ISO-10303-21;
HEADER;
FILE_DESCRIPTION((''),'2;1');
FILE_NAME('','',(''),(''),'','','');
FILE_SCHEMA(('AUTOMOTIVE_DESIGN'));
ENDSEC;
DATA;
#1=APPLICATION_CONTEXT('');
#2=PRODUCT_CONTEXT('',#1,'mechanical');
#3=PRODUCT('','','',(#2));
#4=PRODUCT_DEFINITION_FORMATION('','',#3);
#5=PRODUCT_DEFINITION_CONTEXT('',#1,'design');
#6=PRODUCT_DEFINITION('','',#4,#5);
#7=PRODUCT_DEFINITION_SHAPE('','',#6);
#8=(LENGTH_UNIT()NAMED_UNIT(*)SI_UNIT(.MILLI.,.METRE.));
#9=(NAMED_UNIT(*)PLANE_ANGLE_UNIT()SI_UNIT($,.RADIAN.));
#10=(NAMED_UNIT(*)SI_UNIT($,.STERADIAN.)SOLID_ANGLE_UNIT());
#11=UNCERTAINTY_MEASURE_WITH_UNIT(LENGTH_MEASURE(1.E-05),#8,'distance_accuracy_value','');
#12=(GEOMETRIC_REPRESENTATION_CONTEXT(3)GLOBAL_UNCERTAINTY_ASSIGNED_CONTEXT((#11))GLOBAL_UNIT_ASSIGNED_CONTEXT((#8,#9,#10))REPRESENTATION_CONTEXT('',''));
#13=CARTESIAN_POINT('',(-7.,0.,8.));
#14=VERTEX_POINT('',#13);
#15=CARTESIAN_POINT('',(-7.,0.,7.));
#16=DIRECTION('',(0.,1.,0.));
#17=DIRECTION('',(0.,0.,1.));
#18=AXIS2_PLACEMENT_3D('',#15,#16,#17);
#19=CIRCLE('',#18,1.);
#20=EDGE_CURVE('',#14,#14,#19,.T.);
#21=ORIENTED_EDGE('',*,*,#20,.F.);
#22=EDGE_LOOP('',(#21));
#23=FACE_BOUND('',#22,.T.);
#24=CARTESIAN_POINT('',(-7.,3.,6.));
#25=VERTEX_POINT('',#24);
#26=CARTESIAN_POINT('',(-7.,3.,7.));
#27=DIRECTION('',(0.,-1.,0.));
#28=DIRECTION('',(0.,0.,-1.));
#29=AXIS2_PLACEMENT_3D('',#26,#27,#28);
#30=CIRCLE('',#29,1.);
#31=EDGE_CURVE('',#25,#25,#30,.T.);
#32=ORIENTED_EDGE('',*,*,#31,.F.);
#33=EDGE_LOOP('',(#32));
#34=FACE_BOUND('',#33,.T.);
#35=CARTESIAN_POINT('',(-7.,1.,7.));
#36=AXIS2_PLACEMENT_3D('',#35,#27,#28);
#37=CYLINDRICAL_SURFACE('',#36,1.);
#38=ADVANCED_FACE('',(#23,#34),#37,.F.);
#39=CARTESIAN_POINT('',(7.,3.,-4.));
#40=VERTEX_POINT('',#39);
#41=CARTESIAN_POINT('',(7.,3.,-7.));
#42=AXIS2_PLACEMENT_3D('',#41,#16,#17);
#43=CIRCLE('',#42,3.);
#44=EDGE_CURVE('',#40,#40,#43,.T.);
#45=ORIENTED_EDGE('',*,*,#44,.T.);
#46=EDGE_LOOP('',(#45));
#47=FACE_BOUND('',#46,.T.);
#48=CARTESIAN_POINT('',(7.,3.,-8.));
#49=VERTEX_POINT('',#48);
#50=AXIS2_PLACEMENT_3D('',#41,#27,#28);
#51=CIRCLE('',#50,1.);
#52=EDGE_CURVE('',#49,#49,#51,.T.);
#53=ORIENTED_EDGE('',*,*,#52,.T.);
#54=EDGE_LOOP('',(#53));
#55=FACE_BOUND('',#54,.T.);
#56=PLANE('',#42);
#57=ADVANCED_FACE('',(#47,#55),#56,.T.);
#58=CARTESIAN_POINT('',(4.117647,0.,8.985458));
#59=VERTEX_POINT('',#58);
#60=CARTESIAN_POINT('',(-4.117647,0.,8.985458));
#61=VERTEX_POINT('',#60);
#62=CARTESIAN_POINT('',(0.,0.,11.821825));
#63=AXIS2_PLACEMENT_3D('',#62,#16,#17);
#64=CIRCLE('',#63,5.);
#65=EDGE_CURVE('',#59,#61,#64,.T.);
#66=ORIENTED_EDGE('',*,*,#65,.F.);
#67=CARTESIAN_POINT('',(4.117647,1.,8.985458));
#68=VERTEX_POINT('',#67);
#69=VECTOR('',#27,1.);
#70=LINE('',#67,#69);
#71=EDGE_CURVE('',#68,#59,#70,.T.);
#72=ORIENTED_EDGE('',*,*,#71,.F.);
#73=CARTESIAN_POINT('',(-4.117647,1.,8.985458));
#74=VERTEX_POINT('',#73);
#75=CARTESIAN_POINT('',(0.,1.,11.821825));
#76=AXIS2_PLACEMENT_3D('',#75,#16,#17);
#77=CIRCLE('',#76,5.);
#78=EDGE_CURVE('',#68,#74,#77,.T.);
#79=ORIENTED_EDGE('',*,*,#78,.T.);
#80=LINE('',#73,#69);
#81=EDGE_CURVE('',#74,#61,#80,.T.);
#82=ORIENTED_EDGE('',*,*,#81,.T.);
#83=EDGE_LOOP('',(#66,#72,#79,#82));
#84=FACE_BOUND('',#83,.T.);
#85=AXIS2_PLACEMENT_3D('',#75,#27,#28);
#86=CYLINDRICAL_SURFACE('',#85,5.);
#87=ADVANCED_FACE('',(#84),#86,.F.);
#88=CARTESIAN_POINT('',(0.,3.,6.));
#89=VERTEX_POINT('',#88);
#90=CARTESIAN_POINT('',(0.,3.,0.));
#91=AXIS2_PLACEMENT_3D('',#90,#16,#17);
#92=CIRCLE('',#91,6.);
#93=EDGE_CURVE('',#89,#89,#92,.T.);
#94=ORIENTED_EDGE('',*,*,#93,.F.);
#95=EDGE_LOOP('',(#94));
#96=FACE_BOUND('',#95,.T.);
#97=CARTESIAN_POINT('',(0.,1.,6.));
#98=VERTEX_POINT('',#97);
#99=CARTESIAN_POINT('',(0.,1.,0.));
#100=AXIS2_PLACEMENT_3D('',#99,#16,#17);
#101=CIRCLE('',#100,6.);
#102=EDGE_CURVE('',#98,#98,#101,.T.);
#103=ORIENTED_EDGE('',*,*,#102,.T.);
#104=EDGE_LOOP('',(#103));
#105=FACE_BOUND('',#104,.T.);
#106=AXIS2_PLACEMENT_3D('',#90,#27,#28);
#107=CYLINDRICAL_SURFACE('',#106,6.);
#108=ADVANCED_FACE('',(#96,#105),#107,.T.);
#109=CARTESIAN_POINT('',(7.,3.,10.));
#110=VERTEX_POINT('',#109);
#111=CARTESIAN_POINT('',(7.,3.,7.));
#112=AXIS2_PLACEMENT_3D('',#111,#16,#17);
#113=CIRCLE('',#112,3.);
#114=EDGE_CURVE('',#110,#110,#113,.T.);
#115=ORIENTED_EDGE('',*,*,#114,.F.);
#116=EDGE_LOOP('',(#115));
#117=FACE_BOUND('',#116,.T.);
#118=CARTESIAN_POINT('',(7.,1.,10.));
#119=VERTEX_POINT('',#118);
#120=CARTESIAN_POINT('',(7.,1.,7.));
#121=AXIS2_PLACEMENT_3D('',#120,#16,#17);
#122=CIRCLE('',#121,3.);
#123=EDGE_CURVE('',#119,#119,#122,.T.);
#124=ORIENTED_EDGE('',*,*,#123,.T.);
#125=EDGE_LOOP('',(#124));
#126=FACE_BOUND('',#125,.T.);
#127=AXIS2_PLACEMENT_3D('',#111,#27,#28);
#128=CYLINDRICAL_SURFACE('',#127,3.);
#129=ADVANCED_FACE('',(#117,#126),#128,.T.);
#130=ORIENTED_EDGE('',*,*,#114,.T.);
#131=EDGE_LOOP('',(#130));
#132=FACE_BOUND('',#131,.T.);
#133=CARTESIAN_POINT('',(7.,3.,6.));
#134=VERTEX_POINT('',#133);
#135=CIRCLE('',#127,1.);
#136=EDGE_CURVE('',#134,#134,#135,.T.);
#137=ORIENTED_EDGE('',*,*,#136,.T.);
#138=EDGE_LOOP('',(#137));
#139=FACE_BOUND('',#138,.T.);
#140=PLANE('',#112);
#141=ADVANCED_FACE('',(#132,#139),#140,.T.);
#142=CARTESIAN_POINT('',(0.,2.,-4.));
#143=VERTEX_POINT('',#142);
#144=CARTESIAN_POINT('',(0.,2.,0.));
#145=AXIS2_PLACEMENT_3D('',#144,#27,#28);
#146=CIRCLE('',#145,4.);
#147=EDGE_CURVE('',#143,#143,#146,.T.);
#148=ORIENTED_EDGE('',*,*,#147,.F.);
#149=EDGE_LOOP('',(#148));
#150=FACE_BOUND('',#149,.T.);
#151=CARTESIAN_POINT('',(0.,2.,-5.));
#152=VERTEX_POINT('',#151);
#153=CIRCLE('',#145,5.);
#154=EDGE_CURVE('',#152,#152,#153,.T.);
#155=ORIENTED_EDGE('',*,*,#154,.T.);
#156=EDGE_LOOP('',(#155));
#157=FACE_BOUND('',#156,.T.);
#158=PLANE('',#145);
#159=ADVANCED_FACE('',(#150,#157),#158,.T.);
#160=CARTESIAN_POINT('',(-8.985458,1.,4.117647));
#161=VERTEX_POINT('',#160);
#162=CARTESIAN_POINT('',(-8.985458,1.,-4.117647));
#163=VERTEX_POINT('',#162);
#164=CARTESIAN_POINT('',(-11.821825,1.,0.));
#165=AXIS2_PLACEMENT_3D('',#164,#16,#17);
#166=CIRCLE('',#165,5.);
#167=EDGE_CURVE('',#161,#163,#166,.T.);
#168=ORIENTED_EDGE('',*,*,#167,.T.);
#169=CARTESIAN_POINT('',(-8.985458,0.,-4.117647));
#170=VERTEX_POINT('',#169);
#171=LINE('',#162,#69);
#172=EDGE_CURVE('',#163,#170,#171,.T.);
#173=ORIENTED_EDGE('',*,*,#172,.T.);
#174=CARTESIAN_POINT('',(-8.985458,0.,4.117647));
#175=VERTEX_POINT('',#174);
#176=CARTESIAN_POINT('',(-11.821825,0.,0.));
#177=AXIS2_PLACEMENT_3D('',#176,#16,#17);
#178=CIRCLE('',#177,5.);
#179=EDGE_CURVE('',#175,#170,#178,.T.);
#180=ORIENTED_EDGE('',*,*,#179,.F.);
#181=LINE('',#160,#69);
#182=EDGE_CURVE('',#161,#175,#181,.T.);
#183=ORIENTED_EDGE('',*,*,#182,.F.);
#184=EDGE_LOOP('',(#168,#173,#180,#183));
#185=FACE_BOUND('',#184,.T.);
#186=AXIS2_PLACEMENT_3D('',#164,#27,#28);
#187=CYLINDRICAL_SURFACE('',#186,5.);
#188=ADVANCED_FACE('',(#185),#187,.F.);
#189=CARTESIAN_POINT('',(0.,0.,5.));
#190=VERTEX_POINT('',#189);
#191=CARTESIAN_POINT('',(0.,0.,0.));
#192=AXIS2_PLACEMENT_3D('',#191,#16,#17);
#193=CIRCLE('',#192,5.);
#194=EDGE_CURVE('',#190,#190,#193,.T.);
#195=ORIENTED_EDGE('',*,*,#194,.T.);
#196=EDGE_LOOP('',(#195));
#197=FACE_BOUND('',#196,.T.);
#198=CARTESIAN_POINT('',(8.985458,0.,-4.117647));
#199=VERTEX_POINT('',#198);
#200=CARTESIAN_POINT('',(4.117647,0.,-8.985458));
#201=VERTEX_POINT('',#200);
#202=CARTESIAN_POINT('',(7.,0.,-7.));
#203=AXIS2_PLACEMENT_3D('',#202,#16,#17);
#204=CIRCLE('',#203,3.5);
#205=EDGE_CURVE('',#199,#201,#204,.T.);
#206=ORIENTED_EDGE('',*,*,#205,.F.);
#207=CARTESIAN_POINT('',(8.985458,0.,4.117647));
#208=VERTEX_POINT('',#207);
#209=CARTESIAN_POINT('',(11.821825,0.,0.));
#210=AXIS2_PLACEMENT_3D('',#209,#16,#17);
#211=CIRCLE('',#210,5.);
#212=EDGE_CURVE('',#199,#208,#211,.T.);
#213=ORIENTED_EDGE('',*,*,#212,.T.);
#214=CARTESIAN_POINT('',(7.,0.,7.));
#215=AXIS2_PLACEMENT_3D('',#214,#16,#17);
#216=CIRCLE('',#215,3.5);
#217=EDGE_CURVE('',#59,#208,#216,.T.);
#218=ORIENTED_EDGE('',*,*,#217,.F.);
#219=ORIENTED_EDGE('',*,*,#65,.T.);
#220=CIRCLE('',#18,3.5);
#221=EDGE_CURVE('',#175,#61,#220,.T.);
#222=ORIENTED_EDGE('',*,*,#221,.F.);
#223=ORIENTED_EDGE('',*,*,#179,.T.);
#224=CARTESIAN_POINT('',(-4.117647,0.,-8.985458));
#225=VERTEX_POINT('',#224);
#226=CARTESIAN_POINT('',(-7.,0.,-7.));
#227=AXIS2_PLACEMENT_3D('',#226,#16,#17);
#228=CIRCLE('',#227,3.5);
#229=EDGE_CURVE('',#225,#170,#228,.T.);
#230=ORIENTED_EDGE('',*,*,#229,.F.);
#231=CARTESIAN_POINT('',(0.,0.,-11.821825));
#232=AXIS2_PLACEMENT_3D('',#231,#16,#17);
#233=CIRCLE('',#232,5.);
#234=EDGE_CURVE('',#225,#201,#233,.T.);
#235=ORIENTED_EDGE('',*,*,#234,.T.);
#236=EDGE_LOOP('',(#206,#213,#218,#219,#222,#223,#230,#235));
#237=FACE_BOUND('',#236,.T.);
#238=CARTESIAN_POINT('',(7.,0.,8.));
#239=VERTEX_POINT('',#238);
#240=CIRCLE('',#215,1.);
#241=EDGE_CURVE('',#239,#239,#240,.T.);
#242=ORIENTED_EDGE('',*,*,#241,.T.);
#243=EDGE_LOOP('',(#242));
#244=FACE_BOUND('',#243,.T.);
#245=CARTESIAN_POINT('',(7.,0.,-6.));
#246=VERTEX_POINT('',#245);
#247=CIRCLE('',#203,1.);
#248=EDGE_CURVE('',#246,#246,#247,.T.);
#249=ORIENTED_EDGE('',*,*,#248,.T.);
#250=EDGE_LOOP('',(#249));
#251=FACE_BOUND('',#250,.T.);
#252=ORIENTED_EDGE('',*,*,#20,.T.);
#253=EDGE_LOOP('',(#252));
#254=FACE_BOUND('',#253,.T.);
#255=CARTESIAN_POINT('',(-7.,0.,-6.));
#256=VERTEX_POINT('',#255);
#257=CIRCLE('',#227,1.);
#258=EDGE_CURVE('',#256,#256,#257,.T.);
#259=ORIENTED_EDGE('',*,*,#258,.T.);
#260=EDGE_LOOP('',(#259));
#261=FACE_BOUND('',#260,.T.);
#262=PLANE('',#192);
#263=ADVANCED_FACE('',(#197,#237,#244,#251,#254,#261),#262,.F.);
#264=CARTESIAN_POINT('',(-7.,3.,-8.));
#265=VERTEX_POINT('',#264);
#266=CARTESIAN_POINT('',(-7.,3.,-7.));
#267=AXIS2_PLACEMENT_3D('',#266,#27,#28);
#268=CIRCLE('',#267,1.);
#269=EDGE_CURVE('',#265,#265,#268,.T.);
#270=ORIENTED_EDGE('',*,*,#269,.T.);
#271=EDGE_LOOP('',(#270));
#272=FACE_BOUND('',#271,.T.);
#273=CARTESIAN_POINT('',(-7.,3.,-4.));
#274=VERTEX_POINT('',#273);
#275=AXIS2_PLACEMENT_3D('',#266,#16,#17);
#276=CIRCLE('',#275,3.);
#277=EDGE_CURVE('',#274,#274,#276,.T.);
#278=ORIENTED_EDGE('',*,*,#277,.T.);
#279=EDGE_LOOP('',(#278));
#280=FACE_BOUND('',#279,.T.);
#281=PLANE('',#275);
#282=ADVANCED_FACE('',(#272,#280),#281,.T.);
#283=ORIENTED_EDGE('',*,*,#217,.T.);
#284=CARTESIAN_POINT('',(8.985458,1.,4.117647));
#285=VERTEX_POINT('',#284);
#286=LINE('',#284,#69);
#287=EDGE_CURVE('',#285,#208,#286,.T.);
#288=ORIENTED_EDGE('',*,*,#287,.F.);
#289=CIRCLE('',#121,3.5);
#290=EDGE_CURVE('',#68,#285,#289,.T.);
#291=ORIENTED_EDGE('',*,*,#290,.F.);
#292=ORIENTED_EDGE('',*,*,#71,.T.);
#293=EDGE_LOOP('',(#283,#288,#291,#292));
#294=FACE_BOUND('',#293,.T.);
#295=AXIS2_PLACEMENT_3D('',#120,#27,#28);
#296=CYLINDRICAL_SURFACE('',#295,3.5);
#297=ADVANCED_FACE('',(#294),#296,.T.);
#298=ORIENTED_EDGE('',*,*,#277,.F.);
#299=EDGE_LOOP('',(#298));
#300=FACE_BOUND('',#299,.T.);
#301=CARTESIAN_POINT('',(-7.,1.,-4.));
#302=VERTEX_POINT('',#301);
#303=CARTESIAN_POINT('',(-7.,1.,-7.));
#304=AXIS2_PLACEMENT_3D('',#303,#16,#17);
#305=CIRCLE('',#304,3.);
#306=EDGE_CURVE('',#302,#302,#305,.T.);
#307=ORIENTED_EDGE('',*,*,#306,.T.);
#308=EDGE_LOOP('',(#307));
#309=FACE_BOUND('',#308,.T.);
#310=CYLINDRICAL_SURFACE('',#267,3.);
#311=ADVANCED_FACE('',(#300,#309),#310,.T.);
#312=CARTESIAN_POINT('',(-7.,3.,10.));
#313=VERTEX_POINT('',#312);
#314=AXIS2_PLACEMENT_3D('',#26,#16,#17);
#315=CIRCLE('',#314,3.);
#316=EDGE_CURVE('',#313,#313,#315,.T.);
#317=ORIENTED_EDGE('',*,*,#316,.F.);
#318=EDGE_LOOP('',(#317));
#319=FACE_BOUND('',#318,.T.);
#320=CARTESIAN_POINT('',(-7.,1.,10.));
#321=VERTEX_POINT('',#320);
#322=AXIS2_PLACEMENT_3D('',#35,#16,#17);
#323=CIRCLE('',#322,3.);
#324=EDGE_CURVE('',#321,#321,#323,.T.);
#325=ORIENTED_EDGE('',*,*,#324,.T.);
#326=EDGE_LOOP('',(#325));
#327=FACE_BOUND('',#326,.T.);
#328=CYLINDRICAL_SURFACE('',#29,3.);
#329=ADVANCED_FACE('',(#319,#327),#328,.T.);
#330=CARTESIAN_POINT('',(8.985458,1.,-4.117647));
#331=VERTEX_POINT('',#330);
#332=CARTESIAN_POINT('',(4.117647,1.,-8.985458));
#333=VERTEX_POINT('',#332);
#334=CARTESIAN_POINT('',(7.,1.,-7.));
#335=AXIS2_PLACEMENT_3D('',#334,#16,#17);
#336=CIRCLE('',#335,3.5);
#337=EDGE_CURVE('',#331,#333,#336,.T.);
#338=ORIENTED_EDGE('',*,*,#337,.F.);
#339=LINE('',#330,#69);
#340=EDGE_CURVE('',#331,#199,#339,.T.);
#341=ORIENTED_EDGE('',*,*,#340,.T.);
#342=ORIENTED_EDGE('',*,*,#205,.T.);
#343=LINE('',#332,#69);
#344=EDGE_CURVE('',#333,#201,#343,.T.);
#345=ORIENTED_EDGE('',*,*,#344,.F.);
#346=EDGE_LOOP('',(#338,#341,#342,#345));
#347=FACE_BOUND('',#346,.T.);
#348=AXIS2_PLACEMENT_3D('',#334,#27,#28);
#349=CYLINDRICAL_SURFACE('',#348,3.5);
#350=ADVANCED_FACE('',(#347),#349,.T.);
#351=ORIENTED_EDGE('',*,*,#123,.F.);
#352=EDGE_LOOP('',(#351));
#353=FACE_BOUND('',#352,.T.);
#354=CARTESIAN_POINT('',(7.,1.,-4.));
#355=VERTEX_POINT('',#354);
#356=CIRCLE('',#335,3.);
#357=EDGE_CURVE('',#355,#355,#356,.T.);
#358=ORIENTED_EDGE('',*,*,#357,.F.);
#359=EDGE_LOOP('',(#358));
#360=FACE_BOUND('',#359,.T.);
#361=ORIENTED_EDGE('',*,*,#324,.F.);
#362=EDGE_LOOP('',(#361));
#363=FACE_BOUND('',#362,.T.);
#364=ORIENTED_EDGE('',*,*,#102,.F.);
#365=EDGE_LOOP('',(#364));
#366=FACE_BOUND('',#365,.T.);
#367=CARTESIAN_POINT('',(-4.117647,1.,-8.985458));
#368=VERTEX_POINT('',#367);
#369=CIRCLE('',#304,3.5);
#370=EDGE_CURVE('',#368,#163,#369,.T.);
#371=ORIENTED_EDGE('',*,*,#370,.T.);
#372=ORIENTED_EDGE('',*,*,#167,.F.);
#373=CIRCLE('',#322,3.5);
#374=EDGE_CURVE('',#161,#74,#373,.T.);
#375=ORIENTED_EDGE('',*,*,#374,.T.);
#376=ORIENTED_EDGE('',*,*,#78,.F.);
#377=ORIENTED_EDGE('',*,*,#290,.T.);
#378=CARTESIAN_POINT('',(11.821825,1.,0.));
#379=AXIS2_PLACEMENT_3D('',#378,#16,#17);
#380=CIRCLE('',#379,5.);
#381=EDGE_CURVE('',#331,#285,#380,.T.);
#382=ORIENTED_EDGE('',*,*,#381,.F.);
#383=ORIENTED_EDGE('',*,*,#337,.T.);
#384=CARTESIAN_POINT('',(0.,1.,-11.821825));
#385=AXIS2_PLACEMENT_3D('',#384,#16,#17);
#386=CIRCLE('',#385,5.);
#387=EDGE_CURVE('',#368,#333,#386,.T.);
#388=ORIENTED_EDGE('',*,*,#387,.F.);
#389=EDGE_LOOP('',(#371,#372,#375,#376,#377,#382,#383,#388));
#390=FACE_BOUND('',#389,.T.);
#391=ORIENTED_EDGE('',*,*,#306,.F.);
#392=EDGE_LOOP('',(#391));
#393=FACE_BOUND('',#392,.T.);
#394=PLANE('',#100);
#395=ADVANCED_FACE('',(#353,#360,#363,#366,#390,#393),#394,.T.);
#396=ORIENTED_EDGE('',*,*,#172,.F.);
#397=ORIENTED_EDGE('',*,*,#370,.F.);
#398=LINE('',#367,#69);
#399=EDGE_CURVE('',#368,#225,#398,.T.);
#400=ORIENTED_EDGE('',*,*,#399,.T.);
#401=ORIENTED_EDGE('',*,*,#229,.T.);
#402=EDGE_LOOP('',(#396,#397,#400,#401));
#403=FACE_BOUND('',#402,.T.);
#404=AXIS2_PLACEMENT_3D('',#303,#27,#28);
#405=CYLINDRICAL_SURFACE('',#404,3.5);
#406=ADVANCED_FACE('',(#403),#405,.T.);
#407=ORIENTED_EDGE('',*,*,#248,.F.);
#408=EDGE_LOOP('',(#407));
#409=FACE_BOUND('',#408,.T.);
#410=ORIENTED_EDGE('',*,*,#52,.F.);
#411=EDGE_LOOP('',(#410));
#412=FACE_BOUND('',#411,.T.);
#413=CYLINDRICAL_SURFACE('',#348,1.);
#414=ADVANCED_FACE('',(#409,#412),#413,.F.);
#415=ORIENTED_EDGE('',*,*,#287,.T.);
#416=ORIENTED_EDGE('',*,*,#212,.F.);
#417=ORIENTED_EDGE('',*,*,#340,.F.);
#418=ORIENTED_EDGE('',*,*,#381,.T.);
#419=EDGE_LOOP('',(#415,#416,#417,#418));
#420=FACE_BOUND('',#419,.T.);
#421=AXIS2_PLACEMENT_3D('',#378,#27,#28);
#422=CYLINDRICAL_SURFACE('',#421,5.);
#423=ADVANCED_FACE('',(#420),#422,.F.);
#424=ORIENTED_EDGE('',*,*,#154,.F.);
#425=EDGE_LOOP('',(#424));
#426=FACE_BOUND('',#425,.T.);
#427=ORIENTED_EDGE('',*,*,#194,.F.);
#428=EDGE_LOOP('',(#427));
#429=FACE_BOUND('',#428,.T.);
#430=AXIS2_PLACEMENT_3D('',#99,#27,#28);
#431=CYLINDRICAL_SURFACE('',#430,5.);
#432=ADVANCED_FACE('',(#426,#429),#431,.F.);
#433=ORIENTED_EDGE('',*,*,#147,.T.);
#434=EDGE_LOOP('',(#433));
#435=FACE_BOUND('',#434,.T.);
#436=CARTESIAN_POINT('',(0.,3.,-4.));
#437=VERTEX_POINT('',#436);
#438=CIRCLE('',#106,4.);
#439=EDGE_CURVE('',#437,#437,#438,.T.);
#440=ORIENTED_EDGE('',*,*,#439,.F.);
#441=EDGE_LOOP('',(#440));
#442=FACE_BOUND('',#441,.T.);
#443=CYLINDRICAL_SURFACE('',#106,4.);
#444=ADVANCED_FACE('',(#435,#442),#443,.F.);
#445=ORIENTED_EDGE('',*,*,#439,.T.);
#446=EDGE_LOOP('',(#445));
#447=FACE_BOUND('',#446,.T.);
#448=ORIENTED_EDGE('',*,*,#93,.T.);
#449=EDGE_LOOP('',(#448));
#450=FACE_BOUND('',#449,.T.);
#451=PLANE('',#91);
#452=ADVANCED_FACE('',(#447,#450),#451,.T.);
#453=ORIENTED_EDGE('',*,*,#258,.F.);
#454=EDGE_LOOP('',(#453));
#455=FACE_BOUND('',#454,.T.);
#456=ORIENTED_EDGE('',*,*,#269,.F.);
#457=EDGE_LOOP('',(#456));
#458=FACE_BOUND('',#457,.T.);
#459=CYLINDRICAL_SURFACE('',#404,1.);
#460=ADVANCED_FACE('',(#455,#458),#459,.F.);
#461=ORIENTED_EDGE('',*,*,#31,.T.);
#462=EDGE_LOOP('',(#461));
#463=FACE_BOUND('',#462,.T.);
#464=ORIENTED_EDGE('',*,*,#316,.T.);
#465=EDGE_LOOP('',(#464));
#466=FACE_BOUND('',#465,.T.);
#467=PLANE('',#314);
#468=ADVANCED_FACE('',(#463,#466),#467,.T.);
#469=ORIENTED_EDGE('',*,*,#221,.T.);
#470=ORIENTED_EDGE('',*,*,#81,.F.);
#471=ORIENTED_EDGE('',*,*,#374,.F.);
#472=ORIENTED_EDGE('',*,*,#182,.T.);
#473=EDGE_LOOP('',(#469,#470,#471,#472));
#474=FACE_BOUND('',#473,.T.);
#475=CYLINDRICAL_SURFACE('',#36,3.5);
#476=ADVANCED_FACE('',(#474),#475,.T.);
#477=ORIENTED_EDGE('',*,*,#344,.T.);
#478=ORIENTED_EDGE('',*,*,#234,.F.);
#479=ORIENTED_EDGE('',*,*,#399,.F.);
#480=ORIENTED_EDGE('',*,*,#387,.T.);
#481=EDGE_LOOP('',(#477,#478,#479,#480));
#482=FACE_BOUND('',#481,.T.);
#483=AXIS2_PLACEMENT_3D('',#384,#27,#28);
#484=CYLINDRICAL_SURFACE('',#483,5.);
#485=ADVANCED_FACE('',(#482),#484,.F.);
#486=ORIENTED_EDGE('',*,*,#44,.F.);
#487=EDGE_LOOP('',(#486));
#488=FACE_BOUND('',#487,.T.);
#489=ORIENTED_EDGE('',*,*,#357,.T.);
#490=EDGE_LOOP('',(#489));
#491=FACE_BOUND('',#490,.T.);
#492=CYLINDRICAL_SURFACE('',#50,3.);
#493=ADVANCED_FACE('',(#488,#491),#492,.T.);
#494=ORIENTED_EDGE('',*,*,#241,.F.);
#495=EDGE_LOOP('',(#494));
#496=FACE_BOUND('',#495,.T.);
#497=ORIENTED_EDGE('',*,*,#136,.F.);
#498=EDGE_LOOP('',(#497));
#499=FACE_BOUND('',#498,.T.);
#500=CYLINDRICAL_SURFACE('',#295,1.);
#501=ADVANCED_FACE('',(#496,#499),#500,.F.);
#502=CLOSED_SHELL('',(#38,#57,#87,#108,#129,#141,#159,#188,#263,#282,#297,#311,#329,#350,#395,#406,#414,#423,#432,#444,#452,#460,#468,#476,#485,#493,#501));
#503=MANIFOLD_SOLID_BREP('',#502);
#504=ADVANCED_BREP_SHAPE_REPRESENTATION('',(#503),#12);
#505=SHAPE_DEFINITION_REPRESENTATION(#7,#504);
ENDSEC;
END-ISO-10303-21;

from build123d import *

# Parameters (mm, degrees)
SKETCH1_R           = 1
SKETCH1_R_2         = 5
BOSS_EXTRUDE1_DEPTH = 1
SKETCH3_R           = 6
BOSS_EXTRUDE2_DEPTH = 2
SKETCH4_R           = 5
CUT_EXTRUDE1_DEPTH  = 1
SKETCH5_R           = 4
CUT_EXTRUDE2_DEPTH  = 1
SKETCH6_R           = 3
BOSS_EXTRUDE3_DEPTH = 2
SKETCH7_R           = 1
CUT_EXTRUDE3_DEPTH  = 2


with BuildPart() as part:
    # Sketch1 → Boss-Extrude1 (new body)
    with BuildSketch(Plane(origin=(0, 0, 0), x_dir=(1, 0, 0), z_dir=(0, 1, 0))):
        with BuildLine():
            ThreePointArc((4.117647059, 8.98545751), (0, 6.82182538), (-4.117647059, 8.98545751))
            ThreePointArc((-4.117647059, 8.98545751), (-9.474873734, 9.474873734), (-8.98545751, 4.117647059))
            ThreePointArc((-8.98545751, 4.117647059), (-6.82182538, 0), (-8.98545751, -4.117647059))
            ThreePointArc((-8.98545751, -4.117647059), (-9.474873734, -9.474873734), (-4.117647059, -8.98545751))
            ThreePointArc((-4.117647059, -8.98545751), (0, -6.82182538), (4.117647059, -8.98545751))
            ThreePointArc((4.117647059, -8.98545751), (9.474873734, -9.474873734), (8.98545751, -4.117647059))
            ThreePointArc((8.98545751, -4.117647059), (6.82182538, 0), (8.98545751, 4.117647059))
            ThreePointArc((8.98545751, 4.117647059), (9.474873734, 9.474873734), (4.117647059, 8.98545751))
        make_face()
        with Locations((-7, -7)):
            Circle(SKETCH1_R, mode=Mode.SUBTRACT)
        Circle(SKETCH1_R_2, mode=Mode.SUBTRACT)
        with Locations((7, -7)):
            Circle(SKETCH1_R, mode=Mode.SUBTRACT)
        with Locations((-7, 7)):
            Circle(SKETCH1_R, mode=Mode.SUBTRACT)
        with Locations((7, 7)):
            Circle(SKETCH1_R, mode=Mode.SUBTRACT)
    extrude(amount=BOSS_EXTRUDE1_DEPTH)

    # Sketch3 → Boss-Extrude2 (add)
    with BuildSketch(Plane(origin=(0, 1, 0), x_dir=(1, 0, 0), z_dir=(0, 1, 0))):
        Circle(SKETCH3_R)
    extrude(amount=BOSS_EXTRUDE2_DEPTH)

    # Sketch4 → Cut-Extrude1 (cut)
    with BuildSketch(Plane.XZ.offset(-1)):
        Circle(SKETCH4_R)
    extrude(amount=-CUT_EXTRUDE1_DEPTH, mode=Mode.SUBTRACT)

    # Sketch5 → Cut-Extrude2 (cut)
    with BuildSketch(Plane.XZ.offset(-2)):
        Circle(SKETCH5_R)
    extrude(amount=-CUT_EXTRUDE2_DEPTH, mode=Mode.SUBTRACT)

    # Sketch6 → Boss-Extrude3 (add)
    with BuildSketch(Plane(origin=(0, 1, 0), x_dir=(1, 0, 0), z_dir=(0, 1, 0))):
        with Locations((-7, 7)):
            Circle(SKETCH6_R)
        with Locations((7, 7)):
            Circle(SKETCH6_R)
        with Locations((7, -7)):
            Circle(SKETCH6_R)
        with Locations((-7, -7)):
            Circle(SKETCH6_R)
    extrude(amount=BOSS_EXTRUDE3_DEPTH)

    # Sketch7 → Cut-Extrude3 (cut)
    with BuildSketch(Plane.XZ.offset(-1)):
        with Locations((-7, 7)):
            Circle(SKETCH7_R)
        with Locations((7, 7)):
            Circle(SKETCH7_R)
        with Locations((7, -7)):
            Circle(SKETCH7_R)
        with Locations((-7, -7)):
            Circle(SKETCH7_R)
    extrude(amount=-CUT_EXTRUDE3_DEPTH, mode=Mode.SUBTRACT)


solid = part.part
